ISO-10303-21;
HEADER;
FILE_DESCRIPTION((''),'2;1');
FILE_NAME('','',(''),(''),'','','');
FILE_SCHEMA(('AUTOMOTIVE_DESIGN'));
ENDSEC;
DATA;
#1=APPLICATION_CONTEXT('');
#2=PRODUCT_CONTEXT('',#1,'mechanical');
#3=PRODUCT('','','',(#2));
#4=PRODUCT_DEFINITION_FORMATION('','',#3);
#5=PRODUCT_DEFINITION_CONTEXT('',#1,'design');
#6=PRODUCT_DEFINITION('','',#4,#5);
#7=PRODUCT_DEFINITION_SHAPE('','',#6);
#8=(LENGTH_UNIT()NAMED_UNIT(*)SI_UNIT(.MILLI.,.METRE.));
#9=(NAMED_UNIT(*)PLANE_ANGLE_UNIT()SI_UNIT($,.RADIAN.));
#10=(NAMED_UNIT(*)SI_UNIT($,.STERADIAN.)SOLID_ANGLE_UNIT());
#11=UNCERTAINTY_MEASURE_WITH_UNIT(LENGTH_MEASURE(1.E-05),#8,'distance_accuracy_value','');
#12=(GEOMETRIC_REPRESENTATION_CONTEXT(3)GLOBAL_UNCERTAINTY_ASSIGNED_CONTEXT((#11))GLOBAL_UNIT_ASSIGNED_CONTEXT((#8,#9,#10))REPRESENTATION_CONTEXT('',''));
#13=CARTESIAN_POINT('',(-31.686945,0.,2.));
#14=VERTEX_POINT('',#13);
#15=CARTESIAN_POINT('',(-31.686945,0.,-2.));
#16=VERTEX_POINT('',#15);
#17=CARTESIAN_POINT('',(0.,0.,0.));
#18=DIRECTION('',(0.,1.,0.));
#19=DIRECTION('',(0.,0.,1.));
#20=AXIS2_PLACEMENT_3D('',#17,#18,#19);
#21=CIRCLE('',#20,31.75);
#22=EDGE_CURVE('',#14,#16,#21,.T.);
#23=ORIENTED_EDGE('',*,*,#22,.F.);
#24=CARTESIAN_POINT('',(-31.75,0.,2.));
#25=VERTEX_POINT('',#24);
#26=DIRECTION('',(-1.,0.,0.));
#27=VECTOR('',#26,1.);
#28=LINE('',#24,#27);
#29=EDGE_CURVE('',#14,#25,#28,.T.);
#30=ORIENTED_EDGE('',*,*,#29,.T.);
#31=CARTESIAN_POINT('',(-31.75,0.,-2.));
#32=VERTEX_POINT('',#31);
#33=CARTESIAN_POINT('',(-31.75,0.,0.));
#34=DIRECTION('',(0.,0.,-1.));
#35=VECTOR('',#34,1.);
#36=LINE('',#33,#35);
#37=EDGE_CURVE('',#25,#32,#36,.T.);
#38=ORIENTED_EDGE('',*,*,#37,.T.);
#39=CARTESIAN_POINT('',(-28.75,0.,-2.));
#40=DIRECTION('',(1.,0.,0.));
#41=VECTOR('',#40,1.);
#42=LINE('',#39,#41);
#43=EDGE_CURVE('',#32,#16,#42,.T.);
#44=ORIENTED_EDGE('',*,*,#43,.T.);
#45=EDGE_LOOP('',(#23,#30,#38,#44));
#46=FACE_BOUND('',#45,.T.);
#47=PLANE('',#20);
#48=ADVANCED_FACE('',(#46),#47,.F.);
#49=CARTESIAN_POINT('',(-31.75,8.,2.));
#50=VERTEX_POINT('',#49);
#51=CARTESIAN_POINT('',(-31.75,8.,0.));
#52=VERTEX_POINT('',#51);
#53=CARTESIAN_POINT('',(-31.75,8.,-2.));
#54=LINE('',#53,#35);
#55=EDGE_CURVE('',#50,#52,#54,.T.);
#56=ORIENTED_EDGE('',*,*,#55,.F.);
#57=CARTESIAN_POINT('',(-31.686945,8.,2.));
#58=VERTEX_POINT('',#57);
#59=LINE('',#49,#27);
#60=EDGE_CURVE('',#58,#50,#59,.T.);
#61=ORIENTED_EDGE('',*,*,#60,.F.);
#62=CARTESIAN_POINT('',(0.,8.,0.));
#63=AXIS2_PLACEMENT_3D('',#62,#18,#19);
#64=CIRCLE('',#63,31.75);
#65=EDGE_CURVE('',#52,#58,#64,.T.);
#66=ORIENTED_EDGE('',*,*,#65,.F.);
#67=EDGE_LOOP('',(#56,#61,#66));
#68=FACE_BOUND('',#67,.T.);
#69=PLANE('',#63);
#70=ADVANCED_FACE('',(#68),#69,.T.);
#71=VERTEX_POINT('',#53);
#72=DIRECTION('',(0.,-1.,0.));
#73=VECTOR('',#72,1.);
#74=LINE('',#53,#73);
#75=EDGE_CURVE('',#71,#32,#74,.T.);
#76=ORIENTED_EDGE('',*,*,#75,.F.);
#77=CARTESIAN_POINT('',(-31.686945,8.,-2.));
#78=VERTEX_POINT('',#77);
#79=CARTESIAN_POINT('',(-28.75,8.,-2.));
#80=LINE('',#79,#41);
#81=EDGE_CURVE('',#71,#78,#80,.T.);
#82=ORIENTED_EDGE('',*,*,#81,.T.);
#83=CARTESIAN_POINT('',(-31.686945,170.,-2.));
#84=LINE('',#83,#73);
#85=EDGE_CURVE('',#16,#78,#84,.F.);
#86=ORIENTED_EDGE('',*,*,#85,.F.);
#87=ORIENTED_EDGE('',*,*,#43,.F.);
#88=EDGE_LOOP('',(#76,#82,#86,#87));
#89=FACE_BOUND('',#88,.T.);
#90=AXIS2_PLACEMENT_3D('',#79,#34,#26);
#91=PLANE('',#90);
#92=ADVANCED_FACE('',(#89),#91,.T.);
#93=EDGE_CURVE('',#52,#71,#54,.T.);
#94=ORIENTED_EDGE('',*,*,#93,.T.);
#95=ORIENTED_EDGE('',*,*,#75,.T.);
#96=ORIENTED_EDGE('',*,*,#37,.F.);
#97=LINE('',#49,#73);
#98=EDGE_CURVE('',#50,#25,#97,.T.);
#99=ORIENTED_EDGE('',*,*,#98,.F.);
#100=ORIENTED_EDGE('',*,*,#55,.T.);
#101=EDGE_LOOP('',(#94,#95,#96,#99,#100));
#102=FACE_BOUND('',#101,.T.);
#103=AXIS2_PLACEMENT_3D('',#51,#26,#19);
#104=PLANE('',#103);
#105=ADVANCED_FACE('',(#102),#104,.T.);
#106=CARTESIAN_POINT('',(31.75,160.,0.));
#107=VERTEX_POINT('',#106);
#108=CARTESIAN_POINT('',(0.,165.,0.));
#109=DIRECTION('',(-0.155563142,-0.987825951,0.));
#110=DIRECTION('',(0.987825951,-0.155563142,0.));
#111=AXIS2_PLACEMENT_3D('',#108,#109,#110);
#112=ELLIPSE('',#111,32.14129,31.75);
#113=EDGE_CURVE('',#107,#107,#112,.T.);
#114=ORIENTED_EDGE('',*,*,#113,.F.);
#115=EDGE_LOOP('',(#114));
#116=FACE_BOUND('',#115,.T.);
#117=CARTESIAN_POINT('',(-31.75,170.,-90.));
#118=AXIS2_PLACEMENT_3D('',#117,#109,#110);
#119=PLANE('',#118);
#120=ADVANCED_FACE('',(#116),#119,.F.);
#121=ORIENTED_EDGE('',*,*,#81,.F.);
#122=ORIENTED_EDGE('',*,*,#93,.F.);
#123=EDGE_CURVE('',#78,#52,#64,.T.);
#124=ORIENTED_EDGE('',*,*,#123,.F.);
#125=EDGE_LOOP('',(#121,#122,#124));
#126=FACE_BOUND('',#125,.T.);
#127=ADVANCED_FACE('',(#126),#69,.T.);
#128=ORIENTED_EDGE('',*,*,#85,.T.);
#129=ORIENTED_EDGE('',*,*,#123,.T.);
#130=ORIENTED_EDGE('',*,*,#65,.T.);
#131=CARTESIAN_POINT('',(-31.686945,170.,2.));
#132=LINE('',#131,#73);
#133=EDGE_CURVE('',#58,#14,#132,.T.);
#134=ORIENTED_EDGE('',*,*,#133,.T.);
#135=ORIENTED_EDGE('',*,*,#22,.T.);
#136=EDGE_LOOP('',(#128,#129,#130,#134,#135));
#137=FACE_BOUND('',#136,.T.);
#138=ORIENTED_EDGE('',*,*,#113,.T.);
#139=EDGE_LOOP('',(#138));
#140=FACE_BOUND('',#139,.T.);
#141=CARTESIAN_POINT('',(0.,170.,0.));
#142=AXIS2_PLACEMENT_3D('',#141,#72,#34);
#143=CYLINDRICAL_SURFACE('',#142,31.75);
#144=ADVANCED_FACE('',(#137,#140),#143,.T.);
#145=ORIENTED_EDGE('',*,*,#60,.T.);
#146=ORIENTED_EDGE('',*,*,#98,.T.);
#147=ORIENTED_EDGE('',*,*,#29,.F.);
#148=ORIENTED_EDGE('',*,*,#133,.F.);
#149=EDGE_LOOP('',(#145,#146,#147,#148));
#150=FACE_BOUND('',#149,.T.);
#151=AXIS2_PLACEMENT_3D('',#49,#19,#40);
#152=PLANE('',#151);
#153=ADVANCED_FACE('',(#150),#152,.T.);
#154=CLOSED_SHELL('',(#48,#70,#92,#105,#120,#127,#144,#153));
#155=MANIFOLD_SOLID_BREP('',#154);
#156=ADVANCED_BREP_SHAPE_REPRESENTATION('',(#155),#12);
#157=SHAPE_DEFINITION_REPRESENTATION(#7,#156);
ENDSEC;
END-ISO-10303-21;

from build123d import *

# Parameters (mm, degrees)
CROQUIS1_R              = 31.75
SALIENTE_EXTRUIR1_DEPTH = 170
CORTAR_EXTRUIR1_DEPTH   = 90
SALIENTE_EXTRUIR2_DEPTH = 8


with BuildPart() as part:
    # Croquis1 → Saliente-Extruir1 (new body)
    with BuildSketch(Plane(origin=(0, 0, 0), x_dir=(1, 0, 0), z_dir=(0, 1, 0))):
        with Locations(Location((0, 0, 0), (0, 0, 270))):
            Circle(CROQUIS1_R)
    extrude(amount=SALIENTE_EXTRUIR1_DEPTH)

    # Croquis2 → Cortar-Extruir1 (cut, symmetric)
    with BuildSketch(Plane.XY):
        Polygon((-31.75, 170), (31.75, 160), (31.75, 170), align=None)
    extrude(amount=CORTAR_EXTRUIR1_DEPTH, both=True, mode=Mode.SUBTRACT)

    # Croquis3 → Saliente-Extruir2 (add)
    with BuildSketch(Plane.XZ):
        Polygon((-31.75, 0), (-31.75, 2), (-28.75, 2), (-28.75, -2), (-31.75, -2), align=None)
    extrude(amount=-SALIENTE_EXTRUIR2_DEPTH)


solid = part.part
